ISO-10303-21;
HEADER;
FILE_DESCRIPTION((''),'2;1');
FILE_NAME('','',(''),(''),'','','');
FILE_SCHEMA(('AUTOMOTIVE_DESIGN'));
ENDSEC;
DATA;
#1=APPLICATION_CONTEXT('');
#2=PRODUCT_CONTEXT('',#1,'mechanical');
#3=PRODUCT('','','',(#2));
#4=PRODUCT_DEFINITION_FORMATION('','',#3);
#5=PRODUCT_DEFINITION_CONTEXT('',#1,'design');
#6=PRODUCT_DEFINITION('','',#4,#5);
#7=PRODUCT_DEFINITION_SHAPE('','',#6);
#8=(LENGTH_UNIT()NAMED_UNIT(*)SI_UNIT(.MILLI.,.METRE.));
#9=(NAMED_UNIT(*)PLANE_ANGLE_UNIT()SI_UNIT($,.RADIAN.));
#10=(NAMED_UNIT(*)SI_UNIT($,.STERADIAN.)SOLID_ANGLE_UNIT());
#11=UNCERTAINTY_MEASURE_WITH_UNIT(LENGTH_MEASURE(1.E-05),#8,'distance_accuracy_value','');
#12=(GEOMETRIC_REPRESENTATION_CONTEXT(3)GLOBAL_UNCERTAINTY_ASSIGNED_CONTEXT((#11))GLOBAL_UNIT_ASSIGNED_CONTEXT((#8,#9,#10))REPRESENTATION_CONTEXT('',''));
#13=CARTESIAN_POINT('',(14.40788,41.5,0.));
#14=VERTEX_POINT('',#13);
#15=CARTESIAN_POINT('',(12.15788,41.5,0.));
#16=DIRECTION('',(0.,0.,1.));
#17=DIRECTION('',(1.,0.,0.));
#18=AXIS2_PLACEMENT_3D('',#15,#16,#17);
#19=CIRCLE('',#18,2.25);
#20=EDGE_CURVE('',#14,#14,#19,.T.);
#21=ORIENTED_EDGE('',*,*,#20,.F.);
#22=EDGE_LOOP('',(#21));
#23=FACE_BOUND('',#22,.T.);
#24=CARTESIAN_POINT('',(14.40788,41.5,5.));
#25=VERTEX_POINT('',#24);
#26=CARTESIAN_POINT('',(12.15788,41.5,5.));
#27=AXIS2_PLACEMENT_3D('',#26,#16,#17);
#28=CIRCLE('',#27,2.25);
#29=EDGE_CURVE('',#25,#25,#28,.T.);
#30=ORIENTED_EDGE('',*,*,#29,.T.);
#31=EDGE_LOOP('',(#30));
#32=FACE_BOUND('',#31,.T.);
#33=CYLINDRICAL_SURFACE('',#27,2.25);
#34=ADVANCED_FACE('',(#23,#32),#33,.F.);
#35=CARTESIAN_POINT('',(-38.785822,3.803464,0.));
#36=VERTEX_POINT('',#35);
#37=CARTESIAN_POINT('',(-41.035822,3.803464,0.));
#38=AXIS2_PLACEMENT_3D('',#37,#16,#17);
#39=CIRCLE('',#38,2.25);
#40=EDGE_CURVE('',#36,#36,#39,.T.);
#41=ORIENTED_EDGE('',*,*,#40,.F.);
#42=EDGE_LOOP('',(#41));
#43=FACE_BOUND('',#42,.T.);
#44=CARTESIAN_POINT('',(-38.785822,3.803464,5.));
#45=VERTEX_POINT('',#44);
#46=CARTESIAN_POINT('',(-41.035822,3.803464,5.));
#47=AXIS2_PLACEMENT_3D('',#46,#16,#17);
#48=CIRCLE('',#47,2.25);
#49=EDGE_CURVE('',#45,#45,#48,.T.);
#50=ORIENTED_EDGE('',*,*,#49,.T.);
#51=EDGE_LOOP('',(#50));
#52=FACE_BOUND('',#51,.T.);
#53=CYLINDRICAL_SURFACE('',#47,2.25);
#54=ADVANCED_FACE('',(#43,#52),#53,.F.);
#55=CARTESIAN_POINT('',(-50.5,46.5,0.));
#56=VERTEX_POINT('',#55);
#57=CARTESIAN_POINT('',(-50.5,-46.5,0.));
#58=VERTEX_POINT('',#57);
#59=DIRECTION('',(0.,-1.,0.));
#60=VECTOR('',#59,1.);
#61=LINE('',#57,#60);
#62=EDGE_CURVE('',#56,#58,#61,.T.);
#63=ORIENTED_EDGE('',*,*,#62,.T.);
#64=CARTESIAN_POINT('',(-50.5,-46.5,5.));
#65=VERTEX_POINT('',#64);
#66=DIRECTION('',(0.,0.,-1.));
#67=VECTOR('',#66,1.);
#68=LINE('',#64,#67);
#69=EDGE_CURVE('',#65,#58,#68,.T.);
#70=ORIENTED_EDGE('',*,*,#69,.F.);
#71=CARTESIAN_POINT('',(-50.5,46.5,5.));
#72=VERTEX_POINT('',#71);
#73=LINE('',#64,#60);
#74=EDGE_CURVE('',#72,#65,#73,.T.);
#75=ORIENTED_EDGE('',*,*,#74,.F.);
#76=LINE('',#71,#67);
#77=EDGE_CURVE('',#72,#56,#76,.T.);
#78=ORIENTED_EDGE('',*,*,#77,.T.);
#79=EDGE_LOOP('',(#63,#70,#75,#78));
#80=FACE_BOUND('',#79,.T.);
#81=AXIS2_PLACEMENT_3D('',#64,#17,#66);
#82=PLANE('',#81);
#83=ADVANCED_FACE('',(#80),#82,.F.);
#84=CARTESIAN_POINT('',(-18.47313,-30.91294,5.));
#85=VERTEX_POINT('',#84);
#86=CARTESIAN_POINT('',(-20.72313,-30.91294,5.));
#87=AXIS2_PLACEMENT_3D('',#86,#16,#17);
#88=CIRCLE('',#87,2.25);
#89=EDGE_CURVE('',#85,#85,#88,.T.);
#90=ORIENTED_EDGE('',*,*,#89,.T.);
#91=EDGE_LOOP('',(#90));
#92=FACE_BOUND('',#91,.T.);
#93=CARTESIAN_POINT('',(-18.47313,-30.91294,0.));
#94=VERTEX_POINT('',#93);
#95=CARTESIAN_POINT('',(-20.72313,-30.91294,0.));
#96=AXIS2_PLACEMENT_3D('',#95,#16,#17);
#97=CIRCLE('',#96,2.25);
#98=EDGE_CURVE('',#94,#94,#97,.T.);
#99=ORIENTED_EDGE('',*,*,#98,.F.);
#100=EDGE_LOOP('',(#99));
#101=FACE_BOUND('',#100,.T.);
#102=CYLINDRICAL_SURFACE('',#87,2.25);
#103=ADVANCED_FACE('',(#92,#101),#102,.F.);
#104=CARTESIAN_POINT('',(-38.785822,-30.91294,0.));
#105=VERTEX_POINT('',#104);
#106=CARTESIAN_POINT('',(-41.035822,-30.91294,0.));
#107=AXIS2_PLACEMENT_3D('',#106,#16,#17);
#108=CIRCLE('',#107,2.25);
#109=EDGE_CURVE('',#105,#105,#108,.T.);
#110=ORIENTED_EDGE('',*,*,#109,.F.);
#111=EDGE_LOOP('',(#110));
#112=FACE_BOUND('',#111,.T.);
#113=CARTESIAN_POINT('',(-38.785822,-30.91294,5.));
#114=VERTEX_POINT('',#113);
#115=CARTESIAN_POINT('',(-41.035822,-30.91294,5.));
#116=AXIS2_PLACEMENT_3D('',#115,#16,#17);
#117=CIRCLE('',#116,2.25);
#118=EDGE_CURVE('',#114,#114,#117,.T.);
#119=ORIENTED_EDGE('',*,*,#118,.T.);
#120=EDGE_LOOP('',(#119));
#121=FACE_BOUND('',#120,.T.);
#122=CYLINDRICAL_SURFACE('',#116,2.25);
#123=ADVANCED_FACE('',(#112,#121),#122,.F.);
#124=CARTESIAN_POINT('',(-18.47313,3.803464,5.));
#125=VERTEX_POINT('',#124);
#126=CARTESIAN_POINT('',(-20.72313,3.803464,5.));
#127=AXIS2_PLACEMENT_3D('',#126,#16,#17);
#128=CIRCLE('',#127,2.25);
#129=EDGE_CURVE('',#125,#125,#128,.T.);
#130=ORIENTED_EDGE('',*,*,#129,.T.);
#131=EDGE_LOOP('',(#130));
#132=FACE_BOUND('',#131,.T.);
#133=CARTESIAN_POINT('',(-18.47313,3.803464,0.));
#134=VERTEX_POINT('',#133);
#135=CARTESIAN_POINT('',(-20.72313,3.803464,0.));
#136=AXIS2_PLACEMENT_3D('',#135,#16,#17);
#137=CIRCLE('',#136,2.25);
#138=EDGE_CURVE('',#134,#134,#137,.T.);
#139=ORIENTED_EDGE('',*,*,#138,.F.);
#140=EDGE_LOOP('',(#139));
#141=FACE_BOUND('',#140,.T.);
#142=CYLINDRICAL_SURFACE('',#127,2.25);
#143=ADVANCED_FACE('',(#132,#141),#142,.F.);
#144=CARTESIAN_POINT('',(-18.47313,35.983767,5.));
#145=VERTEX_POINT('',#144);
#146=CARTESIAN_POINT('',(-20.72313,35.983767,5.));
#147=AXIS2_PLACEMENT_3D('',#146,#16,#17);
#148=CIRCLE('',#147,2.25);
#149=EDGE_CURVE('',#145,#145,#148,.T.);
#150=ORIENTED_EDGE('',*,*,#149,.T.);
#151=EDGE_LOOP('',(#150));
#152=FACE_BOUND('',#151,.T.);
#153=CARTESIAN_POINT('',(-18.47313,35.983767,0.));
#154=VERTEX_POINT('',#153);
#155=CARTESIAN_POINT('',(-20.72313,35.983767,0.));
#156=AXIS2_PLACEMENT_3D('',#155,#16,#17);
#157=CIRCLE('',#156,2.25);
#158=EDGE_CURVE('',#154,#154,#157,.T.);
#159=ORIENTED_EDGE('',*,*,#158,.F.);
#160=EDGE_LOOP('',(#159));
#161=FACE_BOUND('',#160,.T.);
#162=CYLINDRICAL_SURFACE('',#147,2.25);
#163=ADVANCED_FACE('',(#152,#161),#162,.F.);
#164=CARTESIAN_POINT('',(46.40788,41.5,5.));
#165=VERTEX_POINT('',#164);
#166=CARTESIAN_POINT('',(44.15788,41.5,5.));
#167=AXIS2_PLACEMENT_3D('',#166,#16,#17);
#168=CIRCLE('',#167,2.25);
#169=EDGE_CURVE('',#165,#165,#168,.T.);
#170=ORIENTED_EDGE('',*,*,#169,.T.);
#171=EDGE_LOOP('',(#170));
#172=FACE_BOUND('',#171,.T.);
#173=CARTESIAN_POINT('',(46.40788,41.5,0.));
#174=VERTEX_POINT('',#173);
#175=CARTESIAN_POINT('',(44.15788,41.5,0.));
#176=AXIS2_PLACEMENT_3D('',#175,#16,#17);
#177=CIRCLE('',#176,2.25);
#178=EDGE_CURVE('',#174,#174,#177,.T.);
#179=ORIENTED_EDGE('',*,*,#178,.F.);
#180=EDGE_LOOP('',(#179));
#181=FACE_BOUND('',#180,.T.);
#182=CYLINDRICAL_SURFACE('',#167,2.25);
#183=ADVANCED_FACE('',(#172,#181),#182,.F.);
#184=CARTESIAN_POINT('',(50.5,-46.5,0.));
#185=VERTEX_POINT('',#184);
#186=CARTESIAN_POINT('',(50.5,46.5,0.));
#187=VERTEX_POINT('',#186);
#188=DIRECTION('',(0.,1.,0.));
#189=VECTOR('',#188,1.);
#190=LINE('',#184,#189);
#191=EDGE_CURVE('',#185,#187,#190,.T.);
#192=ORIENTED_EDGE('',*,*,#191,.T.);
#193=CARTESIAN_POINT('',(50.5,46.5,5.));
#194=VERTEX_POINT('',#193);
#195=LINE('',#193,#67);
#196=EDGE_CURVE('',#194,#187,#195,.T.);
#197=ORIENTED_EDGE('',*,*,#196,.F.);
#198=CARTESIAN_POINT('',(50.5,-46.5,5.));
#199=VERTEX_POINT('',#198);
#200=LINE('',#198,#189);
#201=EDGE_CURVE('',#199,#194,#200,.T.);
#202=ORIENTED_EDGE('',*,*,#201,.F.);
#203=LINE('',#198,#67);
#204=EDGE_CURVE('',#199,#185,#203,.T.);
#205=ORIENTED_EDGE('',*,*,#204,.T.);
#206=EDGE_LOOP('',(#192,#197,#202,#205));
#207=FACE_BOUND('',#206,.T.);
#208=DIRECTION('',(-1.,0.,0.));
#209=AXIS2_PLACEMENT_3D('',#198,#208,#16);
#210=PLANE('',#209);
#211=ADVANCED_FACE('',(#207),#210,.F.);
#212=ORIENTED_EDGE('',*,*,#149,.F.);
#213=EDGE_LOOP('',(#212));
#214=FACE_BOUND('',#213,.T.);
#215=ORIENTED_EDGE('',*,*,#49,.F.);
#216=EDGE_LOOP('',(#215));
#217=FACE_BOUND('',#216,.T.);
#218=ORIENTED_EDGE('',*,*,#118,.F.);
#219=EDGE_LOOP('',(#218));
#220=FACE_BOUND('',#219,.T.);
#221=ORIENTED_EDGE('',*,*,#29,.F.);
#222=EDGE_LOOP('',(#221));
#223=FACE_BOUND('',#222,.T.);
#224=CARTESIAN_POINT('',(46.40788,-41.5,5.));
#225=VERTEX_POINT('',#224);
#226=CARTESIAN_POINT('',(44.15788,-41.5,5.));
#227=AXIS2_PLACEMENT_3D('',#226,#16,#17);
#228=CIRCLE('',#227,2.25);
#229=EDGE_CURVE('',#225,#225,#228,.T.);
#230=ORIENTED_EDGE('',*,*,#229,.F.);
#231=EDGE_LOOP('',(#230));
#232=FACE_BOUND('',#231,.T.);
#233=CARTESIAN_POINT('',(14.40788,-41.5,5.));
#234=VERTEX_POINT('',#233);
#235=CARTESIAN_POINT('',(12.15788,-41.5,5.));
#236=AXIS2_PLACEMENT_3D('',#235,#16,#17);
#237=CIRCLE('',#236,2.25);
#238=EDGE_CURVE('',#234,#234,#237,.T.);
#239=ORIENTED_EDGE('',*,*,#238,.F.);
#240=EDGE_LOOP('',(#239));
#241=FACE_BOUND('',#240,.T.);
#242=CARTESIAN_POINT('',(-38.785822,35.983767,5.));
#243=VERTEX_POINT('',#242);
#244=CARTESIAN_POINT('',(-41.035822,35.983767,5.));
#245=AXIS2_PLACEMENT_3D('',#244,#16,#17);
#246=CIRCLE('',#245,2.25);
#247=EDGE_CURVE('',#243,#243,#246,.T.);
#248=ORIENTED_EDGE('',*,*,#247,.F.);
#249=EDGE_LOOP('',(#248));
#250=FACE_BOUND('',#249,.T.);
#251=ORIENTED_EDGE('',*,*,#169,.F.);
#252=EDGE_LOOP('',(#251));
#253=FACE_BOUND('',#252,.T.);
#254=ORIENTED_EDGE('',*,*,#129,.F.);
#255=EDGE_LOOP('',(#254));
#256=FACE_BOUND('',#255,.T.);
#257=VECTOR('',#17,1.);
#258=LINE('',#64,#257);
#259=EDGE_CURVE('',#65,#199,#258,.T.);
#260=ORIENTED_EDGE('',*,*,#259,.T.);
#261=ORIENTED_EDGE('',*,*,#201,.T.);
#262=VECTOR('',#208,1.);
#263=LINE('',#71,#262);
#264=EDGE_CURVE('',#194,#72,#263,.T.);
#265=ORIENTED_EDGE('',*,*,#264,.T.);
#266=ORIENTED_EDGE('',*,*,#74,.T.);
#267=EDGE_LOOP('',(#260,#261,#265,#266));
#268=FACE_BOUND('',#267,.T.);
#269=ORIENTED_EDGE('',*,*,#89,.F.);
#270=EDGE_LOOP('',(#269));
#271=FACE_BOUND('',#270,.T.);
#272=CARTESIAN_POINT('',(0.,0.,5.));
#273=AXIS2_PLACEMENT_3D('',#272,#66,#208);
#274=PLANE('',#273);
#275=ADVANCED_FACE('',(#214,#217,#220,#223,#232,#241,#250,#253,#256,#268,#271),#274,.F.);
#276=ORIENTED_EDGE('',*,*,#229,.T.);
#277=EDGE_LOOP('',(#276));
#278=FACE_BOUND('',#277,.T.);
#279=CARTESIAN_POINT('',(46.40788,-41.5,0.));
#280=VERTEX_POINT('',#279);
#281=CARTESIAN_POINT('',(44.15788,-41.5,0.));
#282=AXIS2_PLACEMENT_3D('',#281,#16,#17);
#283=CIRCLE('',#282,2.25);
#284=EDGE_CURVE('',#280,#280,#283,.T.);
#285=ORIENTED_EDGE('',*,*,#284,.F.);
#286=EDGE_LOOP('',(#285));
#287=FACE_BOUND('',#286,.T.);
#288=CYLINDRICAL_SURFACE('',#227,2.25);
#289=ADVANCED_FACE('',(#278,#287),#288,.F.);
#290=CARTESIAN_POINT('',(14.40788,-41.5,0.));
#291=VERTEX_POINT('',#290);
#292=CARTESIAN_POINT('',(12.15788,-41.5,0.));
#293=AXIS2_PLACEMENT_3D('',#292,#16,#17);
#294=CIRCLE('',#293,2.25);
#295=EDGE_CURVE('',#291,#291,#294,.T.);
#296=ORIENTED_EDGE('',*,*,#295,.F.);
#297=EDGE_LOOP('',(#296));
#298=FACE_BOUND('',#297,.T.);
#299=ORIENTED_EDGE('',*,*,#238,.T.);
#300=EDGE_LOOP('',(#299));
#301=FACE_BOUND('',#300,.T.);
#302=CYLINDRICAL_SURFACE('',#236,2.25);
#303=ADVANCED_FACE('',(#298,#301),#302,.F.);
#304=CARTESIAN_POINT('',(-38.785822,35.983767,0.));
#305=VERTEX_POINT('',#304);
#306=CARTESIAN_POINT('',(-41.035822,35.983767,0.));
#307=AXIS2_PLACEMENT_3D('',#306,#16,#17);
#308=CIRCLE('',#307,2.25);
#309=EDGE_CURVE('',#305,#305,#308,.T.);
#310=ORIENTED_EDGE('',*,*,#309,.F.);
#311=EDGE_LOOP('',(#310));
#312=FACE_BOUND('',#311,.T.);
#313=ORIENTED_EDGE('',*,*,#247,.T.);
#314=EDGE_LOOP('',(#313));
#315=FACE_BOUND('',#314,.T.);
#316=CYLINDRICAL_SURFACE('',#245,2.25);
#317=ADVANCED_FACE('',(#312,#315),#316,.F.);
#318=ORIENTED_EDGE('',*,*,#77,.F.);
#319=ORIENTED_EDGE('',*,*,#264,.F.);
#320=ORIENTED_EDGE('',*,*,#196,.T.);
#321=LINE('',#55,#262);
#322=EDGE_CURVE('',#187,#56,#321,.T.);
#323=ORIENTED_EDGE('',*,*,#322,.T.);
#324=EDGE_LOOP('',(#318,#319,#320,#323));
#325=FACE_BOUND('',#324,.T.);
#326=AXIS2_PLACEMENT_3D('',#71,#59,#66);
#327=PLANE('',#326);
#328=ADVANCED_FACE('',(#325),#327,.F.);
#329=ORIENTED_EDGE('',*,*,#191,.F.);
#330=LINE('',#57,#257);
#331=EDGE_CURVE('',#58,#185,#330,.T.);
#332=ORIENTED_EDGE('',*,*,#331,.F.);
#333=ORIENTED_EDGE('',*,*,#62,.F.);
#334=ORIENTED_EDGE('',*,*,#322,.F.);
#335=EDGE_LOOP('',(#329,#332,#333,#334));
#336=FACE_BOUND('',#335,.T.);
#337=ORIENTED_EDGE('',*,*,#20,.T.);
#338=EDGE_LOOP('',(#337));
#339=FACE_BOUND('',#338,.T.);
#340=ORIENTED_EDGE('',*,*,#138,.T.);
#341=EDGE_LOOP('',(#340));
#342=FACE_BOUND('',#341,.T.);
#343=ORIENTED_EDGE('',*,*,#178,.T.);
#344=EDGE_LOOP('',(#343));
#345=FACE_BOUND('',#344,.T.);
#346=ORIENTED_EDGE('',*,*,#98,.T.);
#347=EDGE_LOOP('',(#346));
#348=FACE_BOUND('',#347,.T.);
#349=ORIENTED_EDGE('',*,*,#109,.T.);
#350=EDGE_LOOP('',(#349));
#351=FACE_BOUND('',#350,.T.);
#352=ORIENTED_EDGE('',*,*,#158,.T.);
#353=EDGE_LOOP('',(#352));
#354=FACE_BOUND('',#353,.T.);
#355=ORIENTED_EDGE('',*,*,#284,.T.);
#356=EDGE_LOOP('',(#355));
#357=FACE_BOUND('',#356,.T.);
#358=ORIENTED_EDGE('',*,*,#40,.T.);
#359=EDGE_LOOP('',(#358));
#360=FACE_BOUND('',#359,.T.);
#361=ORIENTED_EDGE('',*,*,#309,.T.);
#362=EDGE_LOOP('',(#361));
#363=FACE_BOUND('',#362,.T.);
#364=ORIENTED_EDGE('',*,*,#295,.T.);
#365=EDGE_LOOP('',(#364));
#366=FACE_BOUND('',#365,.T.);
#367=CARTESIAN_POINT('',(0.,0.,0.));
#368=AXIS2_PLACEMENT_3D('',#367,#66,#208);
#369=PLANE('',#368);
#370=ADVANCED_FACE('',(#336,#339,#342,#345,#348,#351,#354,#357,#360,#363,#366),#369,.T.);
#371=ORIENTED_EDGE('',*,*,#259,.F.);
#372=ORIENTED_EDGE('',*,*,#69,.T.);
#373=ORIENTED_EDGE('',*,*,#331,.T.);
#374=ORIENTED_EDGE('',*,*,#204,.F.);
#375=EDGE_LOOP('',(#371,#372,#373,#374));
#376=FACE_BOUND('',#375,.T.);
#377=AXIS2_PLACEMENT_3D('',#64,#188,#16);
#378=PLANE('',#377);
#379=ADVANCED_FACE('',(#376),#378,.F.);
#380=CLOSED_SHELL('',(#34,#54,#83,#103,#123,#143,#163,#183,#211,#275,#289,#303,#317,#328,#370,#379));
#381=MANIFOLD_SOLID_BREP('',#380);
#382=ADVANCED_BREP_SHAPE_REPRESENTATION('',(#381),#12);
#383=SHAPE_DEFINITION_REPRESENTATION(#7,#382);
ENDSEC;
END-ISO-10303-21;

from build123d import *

# Parameters (mm, degrees)
ESQUISSE1_W        = 101
ESQUISSE1_H        = 93
BOSS_EXTRU_1_DEPTH = 5
D_GAGEMENT_M41_D   = 4.5
D_GAGEMENT_M42_D   = 4.5


with BuildPart() as part:
    # Esquisse1 → Boss.-Extru.1 (new body)
    with BuildSketch(Plane.XY):
        Rectangle(ESQUISSE1_W, ESQUISSE1_H)
    extrude(amount=BOSS_EXTRU_1_DEPTH)

    # Dégagement M41 (through all)
    with Locations(Plane.XY.offset(5)):
        with Locations((44.157879946, 41.5), (12.157879946, 41.5), (12.157879946, -41.5), (44.157879946, -41.5)):
            Hole(D_GAGEMENT_M41_D / 2)

    # Dégagement M42 (through all)
    with Locations(Plane.XY.offset(5)):
        with Locations((-20.723129893, -30.91293976), (-20.723129893, 3.803464199), (-41.035821543, 3.803464199), (-41.035821543, -30.91293976), (-41.035821543, 35.983767161), (-20.723129893, 35.983767161)):
            Hole(D_GAGEMENT_M42_D / 2)


solid = part.part
